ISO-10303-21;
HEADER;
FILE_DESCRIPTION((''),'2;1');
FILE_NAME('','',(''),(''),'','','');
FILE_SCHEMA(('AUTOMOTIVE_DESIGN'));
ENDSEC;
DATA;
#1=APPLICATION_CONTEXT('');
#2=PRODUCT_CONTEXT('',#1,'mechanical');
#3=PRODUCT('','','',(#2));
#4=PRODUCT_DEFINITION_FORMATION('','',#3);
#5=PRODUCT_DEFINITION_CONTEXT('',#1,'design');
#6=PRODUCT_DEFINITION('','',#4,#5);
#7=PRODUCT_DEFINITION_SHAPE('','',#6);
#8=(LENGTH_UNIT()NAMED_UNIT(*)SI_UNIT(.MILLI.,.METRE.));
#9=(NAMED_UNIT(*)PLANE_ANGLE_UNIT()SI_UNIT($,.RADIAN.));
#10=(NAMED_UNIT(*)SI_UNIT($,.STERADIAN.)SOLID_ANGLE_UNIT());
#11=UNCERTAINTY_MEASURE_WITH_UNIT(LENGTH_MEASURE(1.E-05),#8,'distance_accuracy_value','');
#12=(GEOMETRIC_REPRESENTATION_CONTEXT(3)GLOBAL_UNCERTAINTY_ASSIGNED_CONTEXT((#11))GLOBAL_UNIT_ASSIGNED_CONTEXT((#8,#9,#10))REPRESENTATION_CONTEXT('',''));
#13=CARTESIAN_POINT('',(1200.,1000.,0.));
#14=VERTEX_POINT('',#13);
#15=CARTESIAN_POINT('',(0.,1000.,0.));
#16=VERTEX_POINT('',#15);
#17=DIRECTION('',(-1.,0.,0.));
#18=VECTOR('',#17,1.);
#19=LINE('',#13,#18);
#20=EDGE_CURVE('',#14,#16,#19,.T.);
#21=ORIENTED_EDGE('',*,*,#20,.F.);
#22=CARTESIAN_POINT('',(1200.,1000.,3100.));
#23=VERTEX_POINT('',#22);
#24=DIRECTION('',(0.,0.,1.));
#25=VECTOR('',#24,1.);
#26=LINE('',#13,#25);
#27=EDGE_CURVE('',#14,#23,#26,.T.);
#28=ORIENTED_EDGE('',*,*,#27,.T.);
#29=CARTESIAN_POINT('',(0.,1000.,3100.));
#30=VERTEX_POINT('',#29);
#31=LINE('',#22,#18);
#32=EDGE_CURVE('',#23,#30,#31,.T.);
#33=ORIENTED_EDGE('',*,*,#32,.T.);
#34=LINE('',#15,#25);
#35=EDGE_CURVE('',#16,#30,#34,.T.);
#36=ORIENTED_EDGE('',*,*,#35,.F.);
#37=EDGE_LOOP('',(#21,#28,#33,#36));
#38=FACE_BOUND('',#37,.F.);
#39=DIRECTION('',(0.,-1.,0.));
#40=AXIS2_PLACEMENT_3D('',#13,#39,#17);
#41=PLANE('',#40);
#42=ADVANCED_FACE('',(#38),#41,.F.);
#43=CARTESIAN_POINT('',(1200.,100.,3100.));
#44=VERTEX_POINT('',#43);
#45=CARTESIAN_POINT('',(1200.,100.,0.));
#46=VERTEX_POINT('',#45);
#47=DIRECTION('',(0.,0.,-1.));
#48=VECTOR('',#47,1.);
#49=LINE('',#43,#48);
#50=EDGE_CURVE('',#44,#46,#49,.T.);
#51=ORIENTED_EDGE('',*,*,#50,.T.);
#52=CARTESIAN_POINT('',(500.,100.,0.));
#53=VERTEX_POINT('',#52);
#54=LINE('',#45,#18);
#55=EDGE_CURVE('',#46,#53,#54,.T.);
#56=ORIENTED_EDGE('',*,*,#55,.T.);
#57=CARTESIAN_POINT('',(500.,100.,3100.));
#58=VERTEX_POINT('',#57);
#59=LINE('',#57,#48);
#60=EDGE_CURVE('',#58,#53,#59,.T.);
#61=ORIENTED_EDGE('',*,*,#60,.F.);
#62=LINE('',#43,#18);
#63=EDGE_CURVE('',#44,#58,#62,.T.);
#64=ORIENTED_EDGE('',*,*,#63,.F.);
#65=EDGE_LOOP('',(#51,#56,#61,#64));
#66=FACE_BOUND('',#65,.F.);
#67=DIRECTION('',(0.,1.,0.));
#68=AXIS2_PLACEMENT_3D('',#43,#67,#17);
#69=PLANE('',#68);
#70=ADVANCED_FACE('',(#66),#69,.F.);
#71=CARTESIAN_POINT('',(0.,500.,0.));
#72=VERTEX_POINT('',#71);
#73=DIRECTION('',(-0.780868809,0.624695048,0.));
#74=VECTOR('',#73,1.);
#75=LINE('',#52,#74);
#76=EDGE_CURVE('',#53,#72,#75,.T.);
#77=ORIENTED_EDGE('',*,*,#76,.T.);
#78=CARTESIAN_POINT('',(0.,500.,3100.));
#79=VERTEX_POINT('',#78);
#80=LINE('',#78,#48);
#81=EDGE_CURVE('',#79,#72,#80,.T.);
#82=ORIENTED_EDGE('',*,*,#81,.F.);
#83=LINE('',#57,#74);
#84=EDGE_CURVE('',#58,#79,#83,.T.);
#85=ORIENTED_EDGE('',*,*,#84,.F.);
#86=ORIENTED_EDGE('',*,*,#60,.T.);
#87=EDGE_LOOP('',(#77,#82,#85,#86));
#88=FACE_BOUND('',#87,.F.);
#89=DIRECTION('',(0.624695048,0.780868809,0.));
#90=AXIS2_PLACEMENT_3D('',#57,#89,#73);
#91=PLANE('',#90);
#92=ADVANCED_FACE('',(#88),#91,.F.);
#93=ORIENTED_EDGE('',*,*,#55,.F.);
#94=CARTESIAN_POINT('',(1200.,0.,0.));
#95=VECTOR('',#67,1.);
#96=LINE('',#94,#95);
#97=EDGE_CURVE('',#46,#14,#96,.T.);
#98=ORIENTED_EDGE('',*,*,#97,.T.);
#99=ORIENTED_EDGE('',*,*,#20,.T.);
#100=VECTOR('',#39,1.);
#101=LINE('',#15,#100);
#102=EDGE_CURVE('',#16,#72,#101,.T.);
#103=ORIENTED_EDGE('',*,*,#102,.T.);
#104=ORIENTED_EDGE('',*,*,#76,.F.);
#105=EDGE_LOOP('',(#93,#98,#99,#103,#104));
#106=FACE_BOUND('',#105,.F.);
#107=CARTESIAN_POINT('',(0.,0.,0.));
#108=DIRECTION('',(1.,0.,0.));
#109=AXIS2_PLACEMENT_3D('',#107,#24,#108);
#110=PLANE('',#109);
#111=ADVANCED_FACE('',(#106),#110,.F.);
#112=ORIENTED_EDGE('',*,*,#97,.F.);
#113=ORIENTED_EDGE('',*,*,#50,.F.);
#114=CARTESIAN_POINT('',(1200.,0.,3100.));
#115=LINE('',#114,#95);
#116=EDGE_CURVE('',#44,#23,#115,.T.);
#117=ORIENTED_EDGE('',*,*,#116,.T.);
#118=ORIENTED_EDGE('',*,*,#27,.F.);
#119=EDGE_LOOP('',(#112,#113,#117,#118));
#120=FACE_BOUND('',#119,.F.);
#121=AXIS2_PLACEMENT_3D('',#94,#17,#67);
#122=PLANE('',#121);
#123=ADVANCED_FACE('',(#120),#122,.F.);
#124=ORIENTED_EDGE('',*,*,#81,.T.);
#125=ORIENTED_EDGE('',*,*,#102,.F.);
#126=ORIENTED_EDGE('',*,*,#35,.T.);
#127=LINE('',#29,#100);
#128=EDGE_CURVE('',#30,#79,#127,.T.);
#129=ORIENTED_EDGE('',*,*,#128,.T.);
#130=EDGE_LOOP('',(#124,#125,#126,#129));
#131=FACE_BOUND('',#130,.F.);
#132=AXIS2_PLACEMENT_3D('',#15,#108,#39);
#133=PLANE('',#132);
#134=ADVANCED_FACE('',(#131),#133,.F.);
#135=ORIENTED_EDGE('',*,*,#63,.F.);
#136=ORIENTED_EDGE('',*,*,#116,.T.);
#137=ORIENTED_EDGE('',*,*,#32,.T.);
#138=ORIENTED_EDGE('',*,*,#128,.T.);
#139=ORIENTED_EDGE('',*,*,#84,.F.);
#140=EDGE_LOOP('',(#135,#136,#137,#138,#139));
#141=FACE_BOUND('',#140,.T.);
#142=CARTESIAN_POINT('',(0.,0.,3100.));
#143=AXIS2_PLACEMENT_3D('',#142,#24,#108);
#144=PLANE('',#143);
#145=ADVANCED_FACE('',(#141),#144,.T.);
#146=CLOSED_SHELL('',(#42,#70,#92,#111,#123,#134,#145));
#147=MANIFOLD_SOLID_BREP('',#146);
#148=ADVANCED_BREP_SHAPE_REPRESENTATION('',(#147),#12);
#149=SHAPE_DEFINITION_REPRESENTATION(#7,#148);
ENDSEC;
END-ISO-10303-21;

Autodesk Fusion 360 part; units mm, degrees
sketch "スケッチ1" plane through (0, 0, 0) normal (0, 1, 0) x (1, 0, 0)
sketch "スケッチ2" plane through (0, 0, 0) normal (0, 0, 1) x (1, 0, 0)
  line L0 (0, 0) -> (-10000, 0)
  line L1 (-10000, 0) -> (-10000, 8100)
  line L2 (-10000, 8100) -> (0, 8100)
  line L3 (0, 8100) -> (0, 0)
  line L4 (10, -10) -> (-10010, -10)
  line L5 (-10010, -10) -> (-10010, 8110)
  line L6 (-10010, 8110) -> (10, 8110)
  line L7 (10, 8110) -> (10, -10)
  point P0 (10, -10)
  dimension "d1" = 10000
  dimension "d2" = 8100
  dimension "d4" = 10020
  dimension "d5" = 8120
sketch "スケッチ3" plane through (0, 0, 0) normal (0, 0, 1) x (1, 0, 0)
sketch "スケッチ4" plane through (0, 0, 0) normal (0, 0, 1) x (1, 0, 0)
  line L0 (0, 0) -> (1200, 0)
  line L1 (1200, 0) -> (1200, 1000)
  line L2 (1200, 1000) -> (0, 1000)
  line L3 (0, 1000) -> (0, 0)
  dimension "d10" = 1200
  dimension "d11" = 1000
extrude "押し出し2" add sketch "スケッチ4" along normal blind 3100
sketch "スケッチ5" plane through (0, 0, 3100) normal (0, 0, 1) x (-1, 0, 0)
  line L0 (0, -1000) -> (0, 0)
  line L1 (0, 0) -> (-1200, 0)
  line L2 (-1200, 0) -> (-1200, -1000)
  line L3 (-1200, -1000) -> (0, -1000)
  line L4 (0, 0) -> (-1200, 0)
  line L5 (-1200, 0) -> (-1200, -100)
  line L6 (-1200, -100) -> (0, -100)
  line L7 (0, -100) -> (0, 0)
extrude "押し出し3" cut sketch "スケッチ5" against normal blind 3100 contours L0 L1 L2 L4 L5 L6 L7
sketch "スケッチ6" plane through (0, 0, 3100) normal (0, 0, 1) x (-1, 0, 0)
  line L0 (0, -100) -> (-1200, -100)
  line L1 (-1200, -100) -> (-1200, -1000)
  line L2 (-1200, -1000) -> (0, -1000)
  line L3 (0, -1000) -> (0, -100)
  line L4 (0, -100) -> (-500, -100)
  line L5 (0, -400) -> (0, -100)
  line L6 (0, -400) -> (0, -500)
  line L7 (-500, -100) -> (0, -500)
extrude "押し出し4" cut sketch "スケッチ6" against normal blind 3100 contours L0 L3 L4 L5 L6 L7
